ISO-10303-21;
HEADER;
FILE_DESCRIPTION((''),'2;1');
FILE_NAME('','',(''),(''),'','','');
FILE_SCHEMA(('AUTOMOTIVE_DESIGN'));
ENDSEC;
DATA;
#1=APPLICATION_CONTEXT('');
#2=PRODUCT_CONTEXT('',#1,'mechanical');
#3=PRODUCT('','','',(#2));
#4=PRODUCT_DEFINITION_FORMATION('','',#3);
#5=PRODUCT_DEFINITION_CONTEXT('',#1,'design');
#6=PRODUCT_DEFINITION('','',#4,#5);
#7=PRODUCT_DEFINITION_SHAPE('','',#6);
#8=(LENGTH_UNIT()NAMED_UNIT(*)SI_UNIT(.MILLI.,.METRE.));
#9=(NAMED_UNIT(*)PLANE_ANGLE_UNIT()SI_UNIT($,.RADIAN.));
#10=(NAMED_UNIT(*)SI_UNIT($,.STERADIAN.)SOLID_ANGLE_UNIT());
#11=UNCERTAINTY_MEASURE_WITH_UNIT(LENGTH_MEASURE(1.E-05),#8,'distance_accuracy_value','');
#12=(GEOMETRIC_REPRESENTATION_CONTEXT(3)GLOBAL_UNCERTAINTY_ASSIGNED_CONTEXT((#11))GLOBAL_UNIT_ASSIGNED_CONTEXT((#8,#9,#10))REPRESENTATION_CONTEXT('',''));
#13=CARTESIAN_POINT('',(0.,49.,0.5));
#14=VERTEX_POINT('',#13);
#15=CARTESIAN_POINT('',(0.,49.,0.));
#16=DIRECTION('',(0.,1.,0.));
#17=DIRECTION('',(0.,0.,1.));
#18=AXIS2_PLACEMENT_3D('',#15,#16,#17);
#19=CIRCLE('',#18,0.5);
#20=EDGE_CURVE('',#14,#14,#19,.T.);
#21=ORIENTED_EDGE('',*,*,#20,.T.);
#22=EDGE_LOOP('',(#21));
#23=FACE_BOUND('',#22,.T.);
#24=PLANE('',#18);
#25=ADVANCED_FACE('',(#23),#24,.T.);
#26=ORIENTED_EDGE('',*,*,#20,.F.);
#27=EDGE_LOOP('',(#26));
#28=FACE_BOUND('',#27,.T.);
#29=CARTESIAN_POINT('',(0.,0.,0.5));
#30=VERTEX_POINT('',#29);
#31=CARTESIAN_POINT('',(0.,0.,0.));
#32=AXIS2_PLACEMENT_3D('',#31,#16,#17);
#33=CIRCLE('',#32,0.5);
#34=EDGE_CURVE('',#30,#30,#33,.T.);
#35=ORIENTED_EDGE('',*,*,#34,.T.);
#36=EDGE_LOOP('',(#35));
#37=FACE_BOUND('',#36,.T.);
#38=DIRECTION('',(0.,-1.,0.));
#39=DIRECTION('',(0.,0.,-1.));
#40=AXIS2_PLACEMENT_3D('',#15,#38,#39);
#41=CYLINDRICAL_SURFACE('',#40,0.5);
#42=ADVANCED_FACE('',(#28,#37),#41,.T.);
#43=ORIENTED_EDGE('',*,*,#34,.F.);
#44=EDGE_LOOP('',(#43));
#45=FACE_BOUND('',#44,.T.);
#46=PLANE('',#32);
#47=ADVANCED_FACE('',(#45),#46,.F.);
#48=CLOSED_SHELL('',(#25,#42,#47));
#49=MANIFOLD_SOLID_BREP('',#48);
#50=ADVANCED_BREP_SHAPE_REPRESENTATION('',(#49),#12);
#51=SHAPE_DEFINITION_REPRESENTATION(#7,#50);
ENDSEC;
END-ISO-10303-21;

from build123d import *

# Parameters (mm, degrees)
SKETCH_1_R      = 0.5
EXTRUDE_1_DEPTH = 49


with BuildPart() as part:
    # 草圖1 → 填料-伸長1 (new body)
    with BuildSketch(Plane(origin=(0, 0, 0), x_dir=(1, 0, 0), z_dir=(0, 1, 0))):
        with Locations(Location((0, 0, 0), (0, 0, 270))):
            Circle(SKETCH_1_R)
    extrude(amount=EXTRUDE_1_DEPTH)


solid = part.part
